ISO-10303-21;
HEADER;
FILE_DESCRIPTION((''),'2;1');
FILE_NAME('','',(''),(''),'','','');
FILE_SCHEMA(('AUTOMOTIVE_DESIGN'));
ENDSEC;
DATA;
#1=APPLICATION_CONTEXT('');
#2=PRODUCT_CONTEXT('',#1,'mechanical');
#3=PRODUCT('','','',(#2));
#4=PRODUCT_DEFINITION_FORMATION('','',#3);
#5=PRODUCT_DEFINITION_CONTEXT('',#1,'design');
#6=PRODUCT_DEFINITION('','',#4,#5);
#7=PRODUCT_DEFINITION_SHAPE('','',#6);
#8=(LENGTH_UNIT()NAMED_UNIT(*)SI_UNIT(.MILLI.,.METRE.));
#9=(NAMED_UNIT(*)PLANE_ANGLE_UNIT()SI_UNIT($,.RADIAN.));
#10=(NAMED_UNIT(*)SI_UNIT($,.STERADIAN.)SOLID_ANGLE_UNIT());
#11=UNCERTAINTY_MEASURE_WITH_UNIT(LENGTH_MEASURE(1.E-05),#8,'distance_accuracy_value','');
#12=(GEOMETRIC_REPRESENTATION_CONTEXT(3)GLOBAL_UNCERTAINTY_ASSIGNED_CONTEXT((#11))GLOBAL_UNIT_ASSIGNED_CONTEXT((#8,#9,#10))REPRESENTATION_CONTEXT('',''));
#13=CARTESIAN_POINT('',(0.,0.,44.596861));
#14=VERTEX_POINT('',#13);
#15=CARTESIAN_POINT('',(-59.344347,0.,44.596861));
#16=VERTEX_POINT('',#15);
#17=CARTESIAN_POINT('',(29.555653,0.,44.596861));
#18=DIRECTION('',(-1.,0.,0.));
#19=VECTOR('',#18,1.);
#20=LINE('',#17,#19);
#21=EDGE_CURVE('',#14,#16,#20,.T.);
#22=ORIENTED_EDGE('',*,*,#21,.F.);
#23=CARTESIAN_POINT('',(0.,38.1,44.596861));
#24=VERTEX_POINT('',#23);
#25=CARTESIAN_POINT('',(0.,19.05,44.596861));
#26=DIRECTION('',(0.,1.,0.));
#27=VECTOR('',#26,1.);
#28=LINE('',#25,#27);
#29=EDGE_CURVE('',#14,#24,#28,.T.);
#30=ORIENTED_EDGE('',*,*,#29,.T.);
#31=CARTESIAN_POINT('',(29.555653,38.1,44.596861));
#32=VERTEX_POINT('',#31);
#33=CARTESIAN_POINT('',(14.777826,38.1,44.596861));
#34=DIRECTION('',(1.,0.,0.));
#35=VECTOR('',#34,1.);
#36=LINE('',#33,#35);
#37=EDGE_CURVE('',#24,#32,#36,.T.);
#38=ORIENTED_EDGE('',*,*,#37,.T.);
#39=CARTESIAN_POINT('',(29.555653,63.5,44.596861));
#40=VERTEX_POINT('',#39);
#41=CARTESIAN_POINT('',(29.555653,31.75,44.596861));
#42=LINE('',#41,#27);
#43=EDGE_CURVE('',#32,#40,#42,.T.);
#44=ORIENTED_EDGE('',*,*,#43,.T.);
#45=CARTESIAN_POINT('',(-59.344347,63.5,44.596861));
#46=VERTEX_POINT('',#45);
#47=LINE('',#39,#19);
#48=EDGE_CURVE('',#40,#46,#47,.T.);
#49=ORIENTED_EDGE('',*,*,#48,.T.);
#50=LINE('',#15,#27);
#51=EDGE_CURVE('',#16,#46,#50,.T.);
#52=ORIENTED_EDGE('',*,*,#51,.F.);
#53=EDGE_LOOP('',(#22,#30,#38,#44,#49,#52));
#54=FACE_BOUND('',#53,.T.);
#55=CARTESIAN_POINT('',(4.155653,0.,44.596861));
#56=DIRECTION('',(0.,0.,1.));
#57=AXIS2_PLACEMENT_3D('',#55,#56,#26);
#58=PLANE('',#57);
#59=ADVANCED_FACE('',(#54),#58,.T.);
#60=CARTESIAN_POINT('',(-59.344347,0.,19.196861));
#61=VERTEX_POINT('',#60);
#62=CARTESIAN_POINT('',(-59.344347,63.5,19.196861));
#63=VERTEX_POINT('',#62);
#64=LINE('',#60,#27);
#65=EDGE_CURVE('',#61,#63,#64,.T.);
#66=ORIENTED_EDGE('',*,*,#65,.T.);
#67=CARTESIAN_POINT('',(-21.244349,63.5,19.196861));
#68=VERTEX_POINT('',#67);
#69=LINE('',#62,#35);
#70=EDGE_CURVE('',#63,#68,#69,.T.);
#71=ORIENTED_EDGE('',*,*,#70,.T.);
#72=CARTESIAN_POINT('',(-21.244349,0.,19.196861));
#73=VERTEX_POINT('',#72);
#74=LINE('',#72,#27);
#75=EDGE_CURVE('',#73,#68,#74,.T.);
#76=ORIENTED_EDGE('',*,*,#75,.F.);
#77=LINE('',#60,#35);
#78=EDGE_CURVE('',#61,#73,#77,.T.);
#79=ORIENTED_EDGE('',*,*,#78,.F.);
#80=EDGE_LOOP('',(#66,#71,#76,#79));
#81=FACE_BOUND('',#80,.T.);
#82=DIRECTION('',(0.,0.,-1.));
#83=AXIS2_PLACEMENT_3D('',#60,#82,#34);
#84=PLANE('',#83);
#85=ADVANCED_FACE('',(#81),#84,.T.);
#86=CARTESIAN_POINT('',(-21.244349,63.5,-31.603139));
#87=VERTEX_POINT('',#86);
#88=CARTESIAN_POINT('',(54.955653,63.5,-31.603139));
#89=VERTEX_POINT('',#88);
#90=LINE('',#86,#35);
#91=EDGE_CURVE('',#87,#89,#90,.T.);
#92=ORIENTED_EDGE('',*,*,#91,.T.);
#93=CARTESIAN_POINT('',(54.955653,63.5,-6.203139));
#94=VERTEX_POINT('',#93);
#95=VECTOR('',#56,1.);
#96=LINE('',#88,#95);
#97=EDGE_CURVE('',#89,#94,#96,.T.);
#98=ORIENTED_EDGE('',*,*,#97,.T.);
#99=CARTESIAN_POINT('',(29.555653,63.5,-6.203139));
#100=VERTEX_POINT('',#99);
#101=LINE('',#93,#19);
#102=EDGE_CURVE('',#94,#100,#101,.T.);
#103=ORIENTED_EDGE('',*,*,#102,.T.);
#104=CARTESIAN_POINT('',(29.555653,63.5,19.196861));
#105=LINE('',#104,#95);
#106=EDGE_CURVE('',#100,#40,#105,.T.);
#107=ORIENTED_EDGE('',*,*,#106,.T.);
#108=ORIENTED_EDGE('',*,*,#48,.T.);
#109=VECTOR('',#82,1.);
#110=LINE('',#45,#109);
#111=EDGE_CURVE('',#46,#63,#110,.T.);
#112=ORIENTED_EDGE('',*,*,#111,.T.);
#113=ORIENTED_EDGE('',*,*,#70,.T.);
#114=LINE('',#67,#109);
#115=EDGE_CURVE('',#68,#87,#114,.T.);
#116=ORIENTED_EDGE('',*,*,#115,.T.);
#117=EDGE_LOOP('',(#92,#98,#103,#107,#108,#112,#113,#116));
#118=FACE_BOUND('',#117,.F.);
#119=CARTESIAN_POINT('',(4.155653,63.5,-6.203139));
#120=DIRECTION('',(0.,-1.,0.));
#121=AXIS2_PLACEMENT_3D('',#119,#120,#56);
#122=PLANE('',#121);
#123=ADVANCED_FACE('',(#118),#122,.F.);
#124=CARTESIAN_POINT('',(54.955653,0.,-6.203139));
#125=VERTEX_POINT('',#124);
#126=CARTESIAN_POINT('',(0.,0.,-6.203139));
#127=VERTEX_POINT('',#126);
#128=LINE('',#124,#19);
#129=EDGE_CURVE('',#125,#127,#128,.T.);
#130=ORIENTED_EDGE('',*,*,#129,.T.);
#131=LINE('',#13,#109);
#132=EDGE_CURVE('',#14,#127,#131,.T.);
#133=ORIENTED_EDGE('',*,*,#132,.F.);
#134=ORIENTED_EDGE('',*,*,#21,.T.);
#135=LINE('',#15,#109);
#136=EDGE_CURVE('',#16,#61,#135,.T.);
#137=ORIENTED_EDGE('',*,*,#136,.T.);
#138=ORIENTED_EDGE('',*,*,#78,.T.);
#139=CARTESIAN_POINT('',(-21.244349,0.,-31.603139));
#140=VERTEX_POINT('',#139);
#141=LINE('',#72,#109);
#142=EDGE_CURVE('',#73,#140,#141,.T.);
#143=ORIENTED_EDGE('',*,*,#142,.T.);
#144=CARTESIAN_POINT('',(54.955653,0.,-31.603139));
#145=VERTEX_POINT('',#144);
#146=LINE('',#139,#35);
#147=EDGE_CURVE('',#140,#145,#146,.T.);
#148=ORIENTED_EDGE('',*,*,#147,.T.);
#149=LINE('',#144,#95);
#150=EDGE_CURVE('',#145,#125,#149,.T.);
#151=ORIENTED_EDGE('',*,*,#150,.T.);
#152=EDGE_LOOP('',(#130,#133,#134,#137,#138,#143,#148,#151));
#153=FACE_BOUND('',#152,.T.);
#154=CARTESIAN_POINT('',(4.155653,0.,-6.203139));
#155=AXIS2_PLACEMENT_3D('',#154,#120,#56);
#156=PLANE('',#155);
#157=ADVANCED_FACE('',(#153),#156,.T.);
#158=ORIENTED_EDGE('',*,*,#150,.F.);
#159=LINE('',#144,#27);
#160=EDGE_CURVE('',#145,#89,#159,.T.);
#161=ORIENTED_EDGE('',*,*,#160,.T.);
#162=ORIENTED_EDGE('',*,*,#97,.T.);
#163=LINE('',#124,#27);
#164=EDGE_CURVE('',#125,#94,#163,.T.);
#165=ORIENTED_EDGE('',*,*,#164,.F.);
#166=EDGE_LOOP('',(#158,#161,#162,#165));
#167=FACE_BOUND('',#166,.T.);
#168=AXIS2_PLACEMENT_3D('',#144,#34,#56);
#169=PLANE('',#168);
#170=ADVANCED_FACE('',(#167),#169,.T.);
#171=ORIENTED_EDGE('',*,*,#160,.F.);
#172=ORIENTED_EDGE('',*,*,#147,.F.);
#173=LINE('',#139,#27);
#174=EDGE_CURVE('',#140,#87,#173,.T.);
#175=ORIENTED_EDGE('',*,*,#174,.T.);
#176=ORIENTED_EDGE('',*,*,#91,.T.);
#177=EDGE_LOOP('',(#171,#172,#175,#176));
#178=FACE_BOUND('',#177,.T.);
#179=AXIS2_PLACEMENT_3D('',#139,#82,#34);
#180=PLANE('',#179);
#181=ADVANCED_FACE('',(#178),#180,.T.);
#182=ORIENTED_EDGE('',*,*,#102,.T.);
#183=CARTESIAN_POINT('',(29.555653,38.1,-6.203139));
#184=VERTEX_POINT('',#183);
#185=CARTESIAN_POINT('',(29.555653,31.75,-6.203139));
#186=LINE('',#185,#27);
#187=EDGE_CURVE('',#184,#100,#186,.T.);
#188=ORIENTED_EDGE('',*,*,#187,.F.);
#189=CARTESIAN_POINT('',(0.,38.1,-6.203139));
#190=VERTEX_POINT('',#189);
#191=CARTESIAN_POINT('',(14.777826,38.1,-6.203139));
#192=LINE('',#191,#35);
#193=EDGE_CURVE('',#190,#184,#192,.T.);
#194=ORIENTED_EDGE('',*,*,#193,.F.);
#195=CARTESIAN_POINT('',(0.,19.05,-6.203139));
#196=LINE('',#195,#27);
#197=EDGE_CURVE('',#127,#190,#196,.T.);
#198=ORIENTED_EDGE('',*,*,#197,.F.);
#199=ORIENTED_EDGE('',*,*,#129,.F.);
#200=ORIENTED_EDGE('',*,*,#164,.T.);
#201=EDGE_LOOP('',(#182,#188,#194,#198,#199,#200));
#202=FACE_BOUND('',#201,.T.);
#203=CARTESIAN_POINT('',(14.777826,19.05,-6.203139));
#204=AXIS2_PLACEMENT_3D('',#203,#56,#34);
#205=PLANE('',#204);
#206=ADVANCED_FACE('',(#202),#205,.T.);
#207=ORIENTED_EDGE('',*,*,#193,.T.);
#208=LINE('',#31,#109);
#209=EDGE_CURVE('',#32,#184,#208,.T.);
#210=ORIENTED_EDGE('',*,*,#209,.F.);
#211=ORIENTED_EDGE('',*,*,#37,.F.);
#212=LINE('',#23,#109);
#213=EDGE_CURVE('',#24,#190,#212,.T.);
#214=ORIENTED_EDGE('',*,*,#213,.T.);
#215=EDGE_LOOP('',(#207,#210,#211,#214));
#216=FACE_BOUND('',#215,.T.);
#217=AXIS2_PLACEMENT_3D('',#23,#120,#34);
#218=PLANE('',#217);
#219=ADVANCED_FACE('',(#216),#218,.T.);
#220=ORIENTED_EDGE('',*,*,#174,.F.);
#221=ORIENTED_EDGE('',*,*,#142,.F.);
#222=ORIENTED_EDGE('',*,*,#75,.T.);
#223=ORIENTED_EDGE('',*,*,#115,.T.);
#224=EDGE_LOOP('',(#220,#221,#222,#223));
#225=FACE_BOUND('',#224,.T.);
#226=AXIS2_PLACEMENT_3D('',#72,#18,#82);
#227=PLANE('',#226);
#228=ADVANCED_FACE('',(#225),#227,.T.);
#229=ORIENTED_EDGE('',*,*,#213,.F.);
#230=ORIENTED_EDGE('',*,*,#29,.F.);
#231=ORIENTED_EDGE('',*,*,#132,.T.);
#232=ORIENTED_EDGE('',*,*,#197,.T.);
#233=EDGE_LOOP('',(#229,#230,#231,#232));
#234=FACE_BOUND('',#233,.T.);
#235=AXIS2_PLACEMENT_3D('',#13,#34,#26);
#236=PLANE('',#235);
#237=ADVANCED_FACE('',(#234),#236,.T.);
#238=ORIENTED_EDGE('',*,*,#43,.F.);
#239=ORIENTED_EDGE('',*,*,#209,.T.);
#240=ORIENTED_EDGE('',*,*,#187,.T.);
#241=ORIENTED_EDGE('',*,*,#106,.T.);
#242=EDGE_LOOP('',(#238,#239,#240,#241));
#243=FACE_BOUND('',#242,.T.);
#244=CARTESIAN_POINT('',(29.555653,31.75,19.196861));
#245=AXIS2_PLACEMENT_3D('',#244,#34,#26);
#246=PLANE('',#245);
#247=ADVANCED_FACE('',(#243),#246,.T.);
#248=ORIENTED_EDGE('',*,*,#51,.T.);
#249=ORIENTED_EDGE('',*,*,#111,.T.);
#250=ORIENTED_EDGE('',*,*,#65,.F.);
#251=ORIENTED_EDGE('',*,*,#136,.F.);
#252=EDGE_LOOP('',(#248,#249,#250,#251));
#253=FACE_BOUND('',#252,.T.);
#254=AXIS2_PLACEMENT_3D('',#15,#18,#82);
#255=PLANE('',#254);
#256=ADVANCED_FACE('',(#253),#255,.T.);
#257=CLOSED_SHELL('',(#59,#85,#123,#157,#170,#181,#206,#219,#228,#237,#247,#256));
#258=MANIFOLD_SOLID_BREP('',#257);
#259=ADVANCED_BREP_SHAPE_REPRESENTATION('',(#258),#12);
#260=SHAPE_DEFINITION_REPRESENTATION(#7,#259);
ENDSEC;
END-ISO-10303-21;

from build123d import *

# Parameters (mm, degrees)
F1_DEPTH = 63.5
F2_W     = 63.5
F2_H     = 50.8
F3_DEPTH = 25.4
F4_W     = 29.5556526983
F4_H     = 38.1
F5_DEPTH = 50.8


with BuildPart() as f1:
    # F0 (on Front) → F1 (new body)
    with BuildSketch(Plane.XZ):
        Polygon((-59.3443473017, 44.5968605516), (-59.3443473017, 19.1968605516), (-21.2443494164, 19.1968605516), (-21.2443494164, -31.6031394484), (54.9556526983, -31.6031394484), (54.9556526983, -6.2031394484), (4.1556526983, -6.2031394484), (4.1556526983, 44.5968605516), align=None)
    extrude(amount=-F1_DEPTH)

    # F2 (on face) → F3 (join)
    with BuildSketch(Plane.YZ.offset(4.1556526983)):
        with Locations((31.75, 19.1968605516)):
            Rectangle(F2_W, F2_H)
    extrude(amount=F3_DEPTH)

    # F4 (on face) → F5 (cut)
    with BuildSketch(Plane.XY.offset(44.5968605516)):
        with Locations((14.7778263491, 19.05)):
            Rectangle(F4_W, F4_H)
    extrude(amount=-F5_DEPTH, mode=Mode.SUBTRACT)


solid = f1.part
